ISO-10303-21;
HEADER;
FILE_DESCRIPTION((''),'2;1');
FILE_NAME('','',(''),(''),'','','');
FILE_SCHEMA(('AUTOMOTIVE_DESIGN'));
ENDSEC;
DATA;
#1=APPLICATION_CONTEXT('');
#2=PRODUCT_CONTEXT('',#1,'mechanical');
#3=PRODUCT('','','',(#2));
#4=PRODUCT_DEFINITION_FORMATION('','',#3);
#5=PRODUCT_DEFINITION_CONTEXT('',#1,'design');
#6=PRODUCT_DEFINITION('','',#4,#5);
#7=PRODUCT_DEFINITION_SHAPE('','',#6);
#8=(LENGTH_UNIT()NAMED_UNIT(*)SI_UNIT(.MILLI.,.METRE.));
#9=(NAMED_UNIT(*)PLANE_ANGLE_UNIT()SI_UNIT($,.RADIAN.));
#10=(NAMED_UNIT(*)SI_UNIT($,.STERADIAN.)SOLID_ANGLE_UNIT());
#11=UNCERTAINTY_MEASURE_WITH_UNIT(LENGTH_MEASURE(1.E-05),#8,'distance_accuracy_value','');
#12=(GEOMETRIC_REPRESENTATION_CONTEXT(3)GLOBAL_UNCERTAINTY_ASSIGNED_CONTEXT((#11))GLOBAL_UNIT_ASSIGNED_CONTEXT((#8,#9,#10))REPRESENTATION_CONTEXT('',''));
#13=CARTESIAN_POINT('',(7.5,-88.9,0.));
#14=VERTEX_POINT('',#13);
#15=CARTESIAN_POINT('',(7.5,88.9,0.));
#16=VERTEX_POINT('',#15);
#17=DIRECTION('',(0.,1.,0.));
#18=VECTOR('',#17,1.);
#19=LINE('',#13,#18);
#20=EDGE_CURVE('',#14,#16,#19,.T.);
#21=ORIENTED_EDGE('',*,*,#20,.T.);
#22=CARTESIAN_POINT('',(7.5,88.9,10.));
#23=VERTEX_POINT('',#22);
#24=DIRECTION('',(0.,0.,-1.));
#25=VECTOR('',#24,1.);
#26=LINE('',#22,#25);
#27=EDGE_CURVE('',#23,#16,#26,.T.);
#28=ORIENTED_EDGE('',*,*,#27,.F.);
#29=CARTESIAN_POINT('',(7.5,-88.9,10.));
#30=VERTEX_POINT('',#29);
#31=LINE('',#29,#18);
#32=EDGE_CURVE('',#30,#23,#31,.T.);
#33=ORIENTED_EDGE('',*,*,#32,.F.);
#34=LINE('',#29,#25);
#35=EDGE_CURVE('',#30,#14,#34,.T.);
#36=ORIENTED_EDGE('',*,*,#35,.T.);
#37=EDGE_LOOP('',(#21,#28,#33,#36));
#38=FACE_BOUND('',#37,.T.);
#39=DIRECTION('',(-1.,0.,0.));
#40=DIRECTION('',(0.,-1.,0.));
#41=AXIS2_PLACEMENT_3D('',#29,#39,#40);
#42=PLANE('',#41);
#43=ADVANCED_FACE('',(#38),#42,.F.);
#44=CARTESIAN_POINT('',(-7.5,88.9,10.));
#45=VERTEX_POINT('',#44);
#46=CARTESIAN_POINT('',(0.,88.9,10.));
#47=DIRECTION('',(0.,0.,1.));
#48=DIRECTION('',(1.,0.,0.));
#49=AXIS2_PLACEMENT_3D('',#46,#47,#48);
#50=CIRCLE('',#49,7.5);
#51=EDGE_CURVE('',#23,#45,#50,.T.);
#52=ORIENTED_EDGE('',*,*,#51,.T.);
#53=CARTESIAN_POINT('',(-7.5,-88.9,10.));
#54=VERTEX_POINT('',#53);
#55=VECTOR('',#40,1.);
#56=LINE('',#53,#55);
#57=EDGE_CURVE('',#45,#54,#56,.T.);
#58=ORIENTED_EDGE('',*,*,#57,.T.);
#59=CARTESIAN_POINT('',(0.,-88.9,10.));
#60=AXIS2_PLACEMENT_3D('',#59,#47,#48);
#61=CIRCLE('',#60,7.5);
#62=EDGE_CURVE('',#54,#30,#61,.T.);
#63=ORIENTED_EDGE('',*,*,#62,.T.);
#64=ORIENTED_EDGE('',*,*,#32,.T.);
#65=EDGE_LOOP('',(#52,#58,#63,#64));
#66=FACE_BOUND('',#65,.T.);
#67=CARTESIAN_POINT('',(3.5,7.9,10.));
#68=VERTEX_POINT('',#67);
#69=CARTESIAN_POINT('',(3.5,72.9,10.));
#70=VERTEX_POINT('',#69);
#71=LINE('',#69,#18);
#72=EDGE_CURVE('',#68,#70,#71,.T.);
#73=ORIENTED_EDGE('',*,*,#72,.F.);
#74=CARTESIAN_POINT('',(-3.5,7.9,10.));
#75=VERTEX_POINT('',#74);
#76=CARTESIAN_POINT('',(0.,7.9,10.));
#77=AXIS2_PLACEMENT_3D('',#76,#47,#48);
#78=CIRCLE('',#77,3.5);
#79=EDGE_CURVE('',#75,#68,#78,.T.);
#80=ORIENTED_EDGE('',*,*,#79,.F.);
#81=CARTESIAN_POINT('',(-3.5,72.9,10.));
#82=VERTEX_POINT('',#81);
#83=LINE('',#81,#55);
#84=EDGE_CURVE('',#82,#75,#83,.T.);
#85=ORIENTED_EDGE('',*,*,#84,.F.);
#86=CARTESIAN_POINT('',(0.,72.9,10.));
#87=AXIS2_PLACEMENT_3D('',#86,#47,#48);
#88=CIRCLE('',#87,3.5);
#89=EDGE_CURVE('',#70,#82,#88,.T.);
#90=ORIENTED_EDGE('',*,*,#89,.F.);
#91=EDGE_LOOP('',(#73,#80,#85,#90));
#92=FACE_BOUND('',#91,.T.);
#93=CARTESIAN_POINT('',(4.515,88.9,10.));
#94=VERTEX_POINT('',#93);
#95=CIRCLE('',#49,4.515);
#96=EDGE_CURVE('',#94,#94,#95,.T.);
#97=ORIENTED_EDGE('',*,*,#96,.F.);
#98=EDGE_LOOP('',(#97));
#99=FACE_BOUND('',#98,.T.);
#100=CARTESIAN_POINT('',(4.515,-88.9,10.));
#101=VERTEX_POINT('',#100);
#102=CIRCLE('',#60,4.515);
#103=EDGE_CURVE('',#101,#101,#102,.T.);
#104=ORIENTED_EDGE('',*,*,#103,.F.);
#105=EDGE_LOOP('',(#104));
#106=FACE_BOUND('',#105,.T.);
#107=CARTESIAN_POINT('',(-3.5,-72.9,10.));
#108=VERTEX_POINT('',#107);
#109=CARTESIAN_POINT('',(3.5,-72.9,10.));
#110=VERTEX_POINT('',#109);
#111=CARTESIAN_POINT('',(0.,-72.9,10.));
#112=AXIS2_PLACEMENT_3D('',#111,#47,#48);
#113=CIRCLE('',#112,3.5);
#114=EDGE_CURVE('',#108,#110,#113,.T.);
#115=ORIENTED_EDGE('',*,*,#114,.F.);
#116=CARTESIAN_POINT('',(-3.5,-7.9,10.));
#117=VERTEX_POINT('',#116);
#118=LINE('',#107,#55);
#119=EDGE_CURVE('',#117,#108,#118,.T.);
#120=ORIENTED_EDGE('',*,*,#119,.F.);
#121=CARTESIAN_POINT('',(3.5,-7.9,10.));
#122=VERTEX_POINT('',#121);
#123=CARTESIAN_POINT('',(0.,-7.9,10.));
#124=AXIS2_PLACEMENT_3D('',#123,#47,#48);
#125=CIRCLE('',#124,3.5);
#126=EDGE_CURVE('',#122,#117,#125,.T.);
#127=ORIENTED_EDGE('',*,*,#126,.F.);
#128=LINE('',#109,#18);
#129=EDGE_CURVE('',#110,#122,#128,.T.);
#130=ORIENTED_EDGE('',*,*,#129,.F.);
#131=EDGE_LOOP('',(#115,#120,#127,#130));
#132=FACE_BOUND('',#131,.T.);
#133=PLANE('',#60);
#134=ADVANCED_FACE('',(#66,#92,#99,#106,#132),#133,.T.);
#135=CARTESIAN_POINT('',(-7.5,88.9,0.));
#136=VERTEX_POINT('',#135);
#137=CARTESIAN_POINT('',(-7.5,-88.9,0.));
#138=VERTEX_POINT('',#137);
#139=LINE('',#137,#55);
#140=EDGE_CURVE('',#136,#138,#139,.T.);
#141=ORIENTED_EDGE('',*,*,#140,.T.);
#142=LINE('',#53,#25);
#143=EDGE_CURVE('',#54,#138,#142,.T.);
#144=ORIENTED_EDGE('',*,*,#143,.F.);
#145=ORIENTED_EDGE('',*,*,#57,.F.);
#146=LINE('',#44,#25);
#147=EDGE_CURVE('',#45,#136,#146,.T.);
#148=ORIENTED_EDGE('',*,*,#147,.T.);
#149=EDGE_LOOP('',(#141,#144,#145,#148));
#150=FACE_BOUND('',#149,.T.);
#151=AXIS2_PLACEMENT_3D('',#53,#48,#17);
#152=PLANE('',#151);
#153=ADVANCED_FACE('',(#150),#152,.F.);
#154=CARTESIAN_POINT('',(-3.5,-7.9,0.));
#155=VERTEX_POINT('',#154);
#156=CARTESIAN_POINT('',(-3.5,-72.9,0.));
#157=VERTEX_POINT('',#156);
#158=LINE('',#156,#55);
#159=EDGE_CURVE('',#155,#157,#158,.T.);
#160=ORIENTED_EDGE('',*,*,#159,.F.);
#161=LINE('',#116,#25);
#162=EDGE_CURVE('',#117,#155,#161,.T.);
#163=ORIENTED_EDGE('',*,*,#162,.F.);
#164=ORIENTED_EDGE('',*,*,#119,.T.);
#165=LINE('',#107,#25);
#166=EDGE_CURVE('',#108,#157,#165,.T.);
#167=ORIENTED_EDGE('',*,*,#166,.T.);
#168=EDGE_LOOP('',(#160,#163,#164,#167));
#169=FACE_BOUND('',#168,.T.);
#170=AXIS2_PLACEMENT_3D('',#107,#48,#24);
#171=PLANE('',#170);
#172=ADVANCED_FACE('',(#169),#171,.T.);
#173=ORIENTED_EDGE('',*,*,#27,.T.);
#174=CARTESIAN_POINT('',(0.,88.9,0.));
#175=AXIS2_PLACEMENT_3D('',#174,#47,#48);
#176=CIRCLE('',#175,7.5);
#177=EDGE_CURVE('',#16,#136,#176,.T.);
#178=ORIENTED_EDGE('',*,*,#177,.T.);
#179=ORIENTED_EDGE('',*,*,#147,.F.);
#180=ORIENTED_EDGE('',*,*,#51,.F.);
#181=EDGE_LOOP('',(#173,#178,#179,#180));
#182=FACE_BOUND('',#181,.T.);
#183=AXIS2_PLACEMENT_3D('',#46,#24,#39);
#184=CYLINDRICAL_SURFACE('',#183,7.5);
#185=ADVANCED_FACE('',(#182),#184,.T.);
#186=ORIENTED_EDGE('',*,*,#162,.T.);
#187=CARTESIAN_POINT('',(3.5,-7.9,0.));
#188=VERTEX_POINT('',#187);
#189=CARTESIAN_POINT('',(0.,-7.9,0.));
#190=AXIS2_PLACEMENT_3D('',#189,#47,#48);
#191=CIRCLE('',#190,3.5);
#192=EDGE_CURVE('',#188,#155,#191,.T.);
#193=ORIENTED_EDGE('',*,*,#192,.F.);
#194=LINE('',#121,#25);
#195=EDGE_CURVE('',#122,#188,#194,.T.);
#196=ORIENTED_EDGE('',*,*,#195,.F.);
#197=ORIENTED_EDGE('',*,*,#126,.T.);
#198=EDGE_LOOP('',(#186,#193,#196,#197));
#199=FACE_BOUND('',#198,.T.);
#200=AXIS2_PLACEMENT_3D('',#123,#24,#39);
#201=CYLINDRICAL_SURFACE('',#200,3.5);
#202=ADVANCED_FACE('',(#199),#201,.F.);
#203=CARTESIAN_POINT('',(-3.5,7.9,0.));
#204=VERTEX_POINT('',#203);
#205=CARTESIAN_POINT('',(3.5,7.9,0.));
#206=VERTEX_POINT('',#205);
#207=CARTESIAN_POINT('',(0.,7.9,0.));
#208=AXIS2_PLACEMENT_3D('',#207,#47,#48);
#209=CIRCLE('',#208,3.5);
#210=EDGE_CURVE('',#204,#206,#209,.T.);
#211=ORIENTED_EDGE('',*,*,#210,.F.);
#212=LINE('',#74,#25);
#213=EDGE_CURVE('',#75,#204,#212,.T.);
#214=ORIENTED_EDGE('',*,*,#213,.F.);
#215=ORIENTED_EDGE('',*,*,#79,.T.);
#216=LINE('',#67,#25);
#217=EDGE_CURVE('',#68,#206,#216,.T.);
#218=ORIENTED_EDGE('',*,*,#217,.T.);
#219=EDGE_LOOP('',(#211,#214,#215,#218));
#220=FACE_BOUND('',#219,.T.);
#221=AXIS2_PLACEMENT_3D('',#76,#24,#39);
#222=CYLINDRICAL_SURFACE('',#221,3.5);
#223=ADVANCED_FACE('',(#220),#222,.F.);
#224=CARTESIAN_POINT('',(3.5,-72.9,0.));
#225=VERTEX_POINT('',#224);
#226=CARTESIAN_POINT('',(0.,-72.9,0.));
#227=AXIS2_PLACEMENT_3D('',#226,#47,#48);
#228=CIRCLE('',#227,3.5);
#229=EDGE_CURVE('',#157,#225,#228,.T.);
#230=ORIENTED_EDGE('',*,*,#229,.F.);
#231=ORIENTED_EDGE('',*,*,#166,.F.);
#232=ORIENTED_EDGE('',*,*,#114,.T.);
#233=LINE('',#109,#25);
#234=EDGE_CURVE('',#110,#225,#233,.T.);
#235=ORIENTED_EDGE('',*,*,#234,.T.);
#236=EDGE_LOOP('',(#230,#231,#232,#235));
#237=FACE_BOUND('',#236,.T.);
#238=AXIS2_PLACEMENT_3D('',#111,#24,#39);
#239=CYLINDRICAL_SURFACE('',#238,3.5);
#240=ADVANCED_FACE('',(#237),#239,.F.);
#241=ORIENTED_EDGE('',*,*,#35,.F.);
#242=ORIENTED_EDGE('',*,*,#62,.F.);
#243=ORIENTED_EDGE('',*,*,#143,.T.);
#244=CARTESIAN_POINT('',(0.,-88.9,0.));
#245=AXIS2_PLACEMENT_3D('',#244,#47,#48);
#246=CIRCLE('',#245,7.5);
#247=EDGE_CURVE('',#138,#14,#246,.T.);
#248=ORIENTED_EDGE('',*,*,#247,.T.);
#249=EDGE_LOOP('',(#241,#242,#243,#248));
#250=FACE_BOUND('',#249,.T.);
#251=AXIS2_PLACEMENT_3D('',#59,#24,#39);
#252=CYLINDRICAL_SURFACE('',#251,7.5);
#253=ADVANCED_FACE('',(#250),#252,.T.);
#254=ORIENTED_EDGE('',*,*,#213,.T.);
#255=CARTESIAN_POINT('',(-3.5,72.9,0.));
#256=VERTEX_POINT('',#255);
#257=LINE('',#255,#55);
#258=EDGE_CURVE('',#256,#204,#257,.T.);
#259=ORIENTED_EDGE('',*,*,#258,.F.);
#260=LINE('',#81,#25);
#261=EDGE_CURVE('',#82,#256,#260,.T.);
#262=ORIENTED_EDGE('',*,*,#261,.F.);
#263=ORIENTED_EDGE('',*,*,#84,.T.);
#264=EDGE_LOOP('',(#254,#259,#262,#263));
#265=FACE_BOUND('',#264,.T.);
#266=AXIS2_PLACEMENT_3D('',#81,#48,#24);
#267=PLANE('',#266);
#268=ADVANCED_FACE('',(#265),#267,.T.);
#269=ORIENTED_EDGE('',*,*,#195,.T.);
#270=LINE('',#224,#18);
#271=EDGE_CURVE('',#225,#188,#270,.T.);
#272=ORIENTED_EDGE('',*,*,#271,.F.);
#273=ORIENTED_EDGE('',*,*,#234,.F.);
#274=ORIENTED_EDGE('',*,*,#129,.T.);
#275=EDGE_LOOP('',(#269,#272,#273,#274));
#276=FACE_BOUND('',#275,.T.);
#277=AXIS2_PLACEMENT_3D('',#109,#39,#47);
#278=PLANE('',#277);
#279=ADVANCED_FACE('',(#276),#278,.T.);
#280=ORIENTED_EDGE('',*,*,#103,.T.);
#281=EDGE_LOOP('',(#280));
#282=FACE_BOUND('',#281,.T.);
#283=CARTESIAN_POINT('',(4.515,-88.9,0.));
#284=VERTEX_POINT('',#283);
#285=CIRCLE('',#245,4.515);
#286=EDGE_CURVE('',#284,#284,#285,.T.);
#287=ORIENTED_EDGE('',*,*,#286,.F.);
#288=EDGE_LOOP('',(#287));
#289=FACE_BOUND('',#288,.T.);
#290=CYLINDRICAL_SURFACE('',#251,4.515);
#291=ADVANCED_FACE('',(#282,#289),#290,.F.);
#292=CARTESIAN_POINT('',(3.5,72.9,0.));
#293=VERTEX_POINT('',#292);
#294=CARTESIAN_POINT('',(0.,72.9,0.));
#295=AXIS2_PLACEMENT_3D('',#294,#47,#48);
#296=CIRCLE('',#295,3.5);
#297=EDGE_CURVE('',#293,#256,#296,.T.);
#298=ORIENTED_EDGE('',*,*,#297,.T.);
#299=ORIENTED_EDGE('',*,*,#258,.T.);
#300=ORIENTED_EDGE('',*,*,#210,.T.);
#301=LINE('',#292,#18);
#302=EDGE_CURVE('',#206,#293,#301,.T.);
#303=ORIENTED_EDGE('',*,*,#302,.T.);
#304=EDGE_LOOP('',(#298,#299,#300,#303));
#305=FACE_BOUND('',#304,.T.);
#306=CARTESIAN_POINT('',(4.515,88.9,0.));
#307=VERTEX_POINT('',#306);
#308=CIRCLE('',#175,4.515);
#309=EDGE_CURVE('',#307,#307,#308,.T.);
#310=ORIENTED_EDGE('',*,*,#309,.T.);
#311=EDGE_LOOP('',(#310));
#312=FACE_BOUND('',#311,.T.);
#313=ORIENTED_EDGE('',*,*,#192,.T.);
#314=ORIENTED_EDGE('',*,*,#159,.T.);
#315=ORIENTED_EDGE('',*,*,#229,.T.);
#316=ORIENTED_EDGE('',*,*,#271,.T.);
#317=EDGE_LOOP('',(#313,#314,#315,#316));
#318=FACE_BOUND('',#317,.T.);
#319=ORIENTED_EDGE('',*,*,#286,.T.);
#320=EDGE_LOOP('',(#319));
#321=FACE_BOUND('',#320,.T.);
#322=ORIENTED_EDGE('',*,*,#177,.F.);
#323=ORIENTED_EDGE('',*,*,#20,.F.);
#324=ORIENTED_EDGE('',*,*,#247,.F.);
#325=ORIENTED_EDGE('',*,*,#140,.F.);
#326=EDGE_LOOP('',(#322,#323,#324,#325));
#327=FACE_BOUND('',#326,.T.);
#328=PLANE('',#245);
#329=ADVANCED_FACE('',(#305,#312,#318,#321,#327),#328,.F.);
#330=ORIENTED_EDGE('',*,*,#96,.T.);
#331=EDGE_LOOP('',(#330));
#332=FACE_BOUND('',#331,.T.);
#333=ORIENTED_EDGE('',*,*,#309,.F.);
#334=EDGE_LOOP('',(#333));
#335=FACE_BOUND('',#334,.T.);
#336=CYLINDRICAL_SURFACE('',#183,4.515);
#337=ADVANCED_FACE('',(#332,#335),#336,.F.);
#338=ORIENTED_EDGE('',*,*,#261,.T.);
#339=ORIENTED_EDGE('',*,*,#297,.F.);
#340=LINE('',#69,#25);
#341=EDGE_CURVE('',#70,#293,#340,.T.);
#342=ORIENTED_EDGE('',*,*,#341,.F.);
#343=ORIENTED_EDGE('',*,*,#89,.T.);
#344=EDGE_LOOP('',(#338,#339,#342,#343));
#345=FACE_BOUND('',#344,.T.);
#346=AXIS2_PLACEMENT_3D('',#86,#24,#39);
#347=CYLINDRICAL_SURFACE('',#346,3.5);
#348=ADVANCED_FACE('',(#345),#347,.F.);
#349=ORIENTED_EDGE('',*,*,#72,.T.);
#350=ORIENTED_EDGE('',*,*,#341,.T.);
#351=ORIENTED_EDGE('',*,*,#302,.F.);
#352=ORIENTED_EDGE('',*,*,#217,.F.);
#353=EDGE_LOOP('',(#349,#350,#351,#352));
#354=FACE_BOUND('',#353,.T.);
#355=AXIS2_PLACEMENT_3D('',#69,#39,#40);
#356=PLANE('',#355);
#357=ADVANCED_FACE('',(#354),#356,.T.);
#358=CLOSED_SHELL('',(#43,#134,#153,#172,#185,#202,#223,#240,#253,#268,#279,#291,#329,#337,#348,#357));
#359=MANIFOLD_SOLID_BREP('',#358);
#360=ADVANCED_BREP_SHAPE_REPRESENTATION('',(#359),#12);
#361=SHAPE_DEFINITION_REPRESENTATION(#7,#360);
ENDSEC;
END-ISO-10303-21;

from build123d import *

# Parameters (mm, degrees)
SKETCH1_R           = 4.515
BOSS_EXTRUDE1_DEPTH = 10


with BuildPart() as part:
    # Sketch1 → Boss-Extrude1 (new body)
    with BuildSketch(Plane.XY):
        with BuildLine():
            Line((-7.5, -88.9), (-7.5, 88.9))
            ThreePointArc((-7.5, 88.9), (0, 96.4), (7.5, 88.9))
            Line((7.5, 88.9), (7.5, -88.9))
            ThreePointArc((7.5, -88.9), (0, -96.4), (-7.5, -88.9))
        make_face()
        with Locations((0, -88.9)):
            Circle(SKETCH1_R, mode=Mode.SUBTRACT)
        with Locations((0, 88.9)):
            Circle(SKETCH1_R, mode=Mode.SUBTRACT)
        with BuildLine():
            Line((-3.5, -72.9), (-3.5, -7.9))
            ThreePointArc((-3.5, -7.9), (0, -4.4), (3.5, -7.9))
            Line((3.5, -7.9), (3.5, -72.9))
            ThreePointArc((3.5, -72.9), (0, -76.4), (-3.5, -72.9))
        make_face(mode=Mode.SUBTRACT)
        with BuildLine():
            Line((3.5, 72.9), (3.5, 7.9))
            ThreePointArc((3.5, 7.9), (0, 4.4), (-3.5, 7.9))
            Line((-3.5, 7.9), (-3.5, 72.9))
            ThreePointArc((-3.5, 72.9), (0, 76.4), (3.5, 72.9))
        make_face(mode=Mode.SUBTRACT)
    extrude(amount=BOSS_EXTRUDE1_DEPTH)


solid = part.part
